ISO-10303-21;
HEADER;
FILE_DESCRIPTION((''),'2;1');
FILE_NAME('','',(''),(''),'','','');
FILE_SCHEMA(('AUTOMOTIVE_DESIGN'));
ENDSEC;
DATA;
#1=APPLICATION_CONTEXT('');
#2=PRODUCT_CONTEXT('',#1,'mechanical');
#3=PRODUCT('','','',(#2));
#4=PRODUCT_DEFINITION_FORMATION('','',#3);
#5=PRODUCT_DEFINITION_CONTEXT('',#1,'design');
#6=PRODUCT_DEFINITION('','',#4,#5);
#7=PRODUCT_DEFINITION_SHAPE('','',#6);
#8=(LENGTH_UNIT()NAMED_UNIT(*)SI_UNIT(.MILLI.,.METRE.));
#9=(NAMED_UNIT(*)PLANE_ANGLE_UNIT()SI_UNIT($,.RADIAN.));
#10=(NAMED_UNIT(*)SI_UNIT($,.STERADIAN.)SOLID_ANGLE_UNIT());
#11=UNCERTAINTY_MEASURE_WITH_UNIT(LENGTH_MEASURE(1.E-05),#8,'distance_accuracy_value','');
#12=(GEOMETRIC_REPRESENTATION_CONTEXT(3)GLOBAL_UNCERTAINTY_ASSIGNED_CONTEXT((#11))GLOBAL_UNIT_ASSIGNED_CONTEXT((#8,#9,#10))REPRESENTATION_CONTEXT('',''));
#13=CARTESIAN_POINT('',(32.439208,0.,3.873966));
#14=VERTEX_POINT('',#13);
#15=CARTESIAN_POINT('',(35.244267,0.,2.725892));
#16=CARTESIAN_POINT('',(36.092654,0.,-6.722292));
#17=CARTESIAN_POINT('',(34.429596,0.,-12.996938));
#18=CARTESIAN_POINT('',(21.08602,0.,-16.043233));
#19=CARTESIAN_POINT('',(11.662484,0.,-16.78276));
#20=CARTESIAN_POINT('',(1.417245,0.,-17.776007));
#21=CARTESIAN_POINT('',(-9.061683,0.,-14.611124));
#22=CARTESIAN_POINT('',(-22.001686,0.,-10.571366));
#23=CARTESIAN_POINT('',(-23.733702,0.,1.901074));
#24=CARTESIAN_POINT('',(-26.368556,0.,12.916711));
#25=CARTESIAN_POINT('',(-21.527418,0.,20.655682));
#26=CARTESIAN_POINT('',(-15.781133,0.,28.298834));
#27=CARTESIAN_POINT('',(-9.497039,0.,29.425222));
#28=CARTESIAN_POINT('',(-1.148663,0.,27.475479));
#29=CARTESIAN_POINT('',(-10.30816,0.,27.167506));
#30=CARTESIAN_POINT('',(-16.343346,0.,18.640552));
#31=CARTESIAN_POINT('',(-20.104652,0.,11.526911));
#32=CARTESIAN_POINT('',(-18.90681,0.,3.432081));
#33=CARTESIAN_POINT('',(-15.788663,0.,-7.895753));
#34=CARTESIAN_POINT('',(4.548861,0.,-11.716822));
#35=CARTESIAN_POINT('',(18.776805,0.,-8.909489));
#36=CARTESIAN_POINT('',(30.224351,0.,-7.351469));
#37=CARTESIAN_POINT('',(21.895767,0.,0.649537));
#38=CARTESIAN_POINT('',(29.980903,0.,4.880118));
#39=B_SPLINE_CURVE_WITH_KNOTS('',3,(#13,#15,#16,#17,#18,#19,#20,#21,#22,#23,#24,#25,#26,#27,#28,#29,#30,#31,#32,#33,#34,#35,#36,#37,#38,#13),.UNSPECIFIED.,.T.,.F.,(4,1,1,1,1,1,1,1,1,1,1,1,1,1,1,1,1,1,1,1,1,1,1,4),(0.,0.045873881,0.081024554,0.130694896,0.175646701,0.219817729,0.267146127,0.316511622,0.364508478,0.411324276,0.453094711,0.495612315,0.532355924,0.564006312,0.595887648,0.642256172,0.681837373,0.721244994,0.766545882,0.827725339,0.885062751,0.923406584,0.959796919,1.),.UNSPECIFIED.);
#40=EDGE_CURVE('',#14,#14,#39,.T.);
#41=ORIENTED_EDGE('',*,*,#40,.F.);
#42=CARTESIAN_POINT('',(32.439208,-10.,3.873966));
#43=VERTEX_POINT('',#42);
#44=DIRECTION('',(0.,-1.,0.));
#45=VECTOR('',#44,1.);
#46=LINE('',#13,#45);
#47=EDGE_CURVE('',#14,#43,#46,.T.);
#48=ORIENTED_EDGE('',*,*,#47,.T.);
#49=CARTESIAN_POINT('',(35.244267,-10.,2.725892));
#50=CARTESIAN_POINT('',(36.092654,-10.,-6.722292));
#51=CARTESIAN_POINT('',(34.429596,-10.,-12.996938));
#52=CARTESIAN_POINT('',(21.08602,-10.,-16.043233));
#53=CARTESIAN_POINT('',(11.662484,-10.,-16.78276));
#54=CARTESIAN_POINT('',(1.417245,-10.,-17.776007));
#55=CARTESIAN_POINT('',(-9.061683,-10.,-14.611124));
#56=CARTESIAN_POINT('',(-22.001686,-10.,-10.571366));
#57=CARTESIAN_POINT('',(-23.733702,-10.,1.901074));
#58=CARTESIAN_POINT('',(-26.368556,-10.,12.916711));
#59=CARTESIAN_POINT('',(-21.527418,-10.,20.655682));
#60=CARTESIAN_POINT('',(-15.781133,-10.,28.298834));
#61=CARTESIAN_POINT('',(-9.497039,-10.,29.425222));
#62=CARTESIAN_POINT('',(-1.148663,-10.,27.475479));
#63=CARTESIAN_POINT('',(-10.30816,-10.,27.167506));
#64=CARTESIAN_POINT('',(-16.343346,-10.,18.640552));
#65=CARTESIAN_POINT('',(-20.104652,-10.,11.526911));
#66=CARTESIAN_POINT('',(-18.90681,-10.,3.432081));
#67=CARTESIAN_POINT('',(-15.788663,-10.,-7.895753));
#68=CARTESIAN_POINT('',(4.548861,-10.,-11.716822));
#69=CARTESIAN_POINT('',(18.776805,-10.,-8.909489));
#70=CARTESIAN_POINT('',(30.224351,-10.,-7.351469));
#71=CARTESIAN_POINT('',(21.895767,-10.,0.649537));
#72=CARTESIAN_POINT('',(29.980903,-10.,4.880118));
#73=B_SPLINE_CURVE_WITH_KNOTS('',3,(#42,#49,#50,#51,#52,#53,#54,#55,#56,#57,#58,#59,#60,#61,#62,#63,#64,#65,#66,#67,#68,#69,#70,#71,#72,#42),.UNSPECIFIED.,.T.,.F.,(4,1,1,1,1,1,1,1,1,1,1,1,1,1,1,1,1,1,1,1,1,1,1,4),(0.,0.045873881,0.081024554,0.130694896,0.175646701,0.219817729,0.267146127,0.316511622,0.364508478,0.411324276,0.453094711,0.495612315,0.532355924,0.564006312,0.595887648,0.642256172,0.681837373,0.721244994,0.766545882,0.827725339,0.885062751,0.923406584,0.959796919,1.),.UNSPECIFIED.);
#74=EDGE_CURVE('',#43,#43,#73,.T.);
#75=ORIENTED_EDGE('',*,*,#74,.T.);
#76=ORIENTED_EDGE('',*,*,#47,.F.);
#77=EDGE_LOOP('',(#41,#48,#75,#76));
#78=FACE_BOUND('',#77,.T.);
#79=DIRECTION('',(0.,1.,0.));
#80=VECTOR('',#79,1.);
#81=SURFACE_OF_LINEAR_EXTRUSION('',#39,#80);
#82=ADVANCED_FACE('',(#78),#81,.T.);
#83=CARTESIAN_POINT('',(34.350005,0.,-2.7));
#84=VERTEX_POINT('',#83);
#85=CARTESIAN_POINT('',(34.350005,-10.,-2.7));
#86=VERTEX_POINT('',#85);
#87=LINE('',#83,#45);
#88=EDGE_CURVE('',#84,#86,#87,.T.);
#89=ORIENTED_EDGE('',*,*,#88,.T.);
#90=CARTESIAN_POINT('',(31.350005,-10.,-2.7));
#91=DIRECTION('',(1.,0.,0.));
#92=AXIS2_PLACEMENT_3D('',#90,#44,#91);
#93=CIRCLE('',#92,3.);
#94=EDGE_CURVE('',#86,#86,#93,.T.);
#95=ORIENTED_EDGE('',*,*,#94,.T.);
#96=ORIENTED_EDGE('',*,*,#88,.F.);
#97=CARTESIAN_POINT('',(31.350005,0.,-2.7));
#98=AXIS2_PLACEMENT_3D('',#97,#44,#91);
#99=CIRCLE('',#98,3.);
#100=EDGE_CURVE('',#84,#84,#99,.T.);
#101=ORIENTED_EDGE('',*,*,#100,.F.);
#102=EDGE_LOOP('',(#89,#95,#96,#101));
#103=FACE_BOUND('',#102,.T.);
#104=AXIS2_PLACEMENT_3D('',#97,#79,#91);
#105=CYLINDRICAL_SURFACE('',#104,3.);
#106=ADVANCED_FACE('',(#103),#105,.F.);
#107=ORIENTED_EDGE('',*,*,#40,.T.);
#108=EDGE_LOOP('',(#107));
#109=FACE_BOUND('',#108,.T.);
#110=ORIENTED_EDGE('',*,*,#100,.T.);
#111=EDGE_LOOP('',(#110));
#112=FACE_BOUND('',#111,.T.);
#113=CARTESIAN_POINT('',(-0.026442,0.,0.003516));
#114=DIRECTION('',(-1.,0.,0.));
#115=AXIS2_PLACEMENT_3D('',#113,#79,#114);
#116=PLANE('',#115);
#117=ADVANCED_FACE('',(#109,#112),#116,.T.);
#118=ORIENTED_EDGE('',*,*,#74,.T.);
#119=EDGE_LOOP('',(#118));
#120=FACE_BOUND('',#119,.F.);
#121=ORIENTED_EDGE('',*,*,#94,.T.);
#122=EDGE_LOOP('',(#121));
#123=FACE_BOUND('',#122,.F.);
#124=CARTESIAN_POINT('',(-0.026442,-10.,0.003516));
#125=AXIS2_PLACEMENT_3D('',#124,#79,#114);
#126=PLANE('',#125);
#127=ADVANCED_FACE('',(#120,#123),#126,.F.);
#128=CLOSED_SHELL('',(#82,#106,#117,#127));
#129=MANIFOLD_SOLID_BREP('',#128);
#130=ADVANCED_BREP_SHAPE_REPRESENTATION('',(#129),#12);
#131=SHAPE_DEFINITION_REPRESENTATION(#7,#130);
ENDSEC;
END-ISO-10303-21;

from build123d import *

# Parameters (mm, degrees)
F0_R     = 3.0000000261
F1_DEPTH = 10


with BuildPart() as f1:
    # F0 (on Front) → F1 (new body)
    with BuildSketch(Plane.XZ):
        with BuildLine():
            add(Edge.make_bspline(
                [(32.4392083615, 3.8739659384), (35.2442670849, 2.7258917013), (36.0926540647, -6.7222919848), (34.4295955342, -12.9969382642), (21.0860198106, -16.0432326674), (11.6624840958, -16.7827600213), (1.4172445919, -17.7760066432), (-9.0616829438, -14.6111244296), (-22.0016855268, -10.5713662248), (-23.7337018158, 1.9010739471), (-26.3685563312, 12.9167105277), (-21.5274180561, 20.6556819929), (-15.7811333338, 28.2988342977), (-9.4970385455, 29.425221644), (-1.1486626552, 27.4754786417), (-10.3081598724, 27.167505827), (-16.3433463679, 18.6405524744), (-20.1046521108, 11.5269109576), (-18.9068101916, 3.4320809006), (-15.7886631562, -7.8957534167), (4.5488605607, -11.7168223686), (18.7768050819, -8.9094888745), (30.2243511455, -7.3514694371), (21.8957670353, 0.6495374985), (29.9809031097, 4.8801184667), (32.4392083615, 3.8739659384)],
                knots=[0, 0, 0, 0, 0.045873881, 0.0810245539, 0.1306948964, 0.1756467012, 0.2198177289, 0.2671461266, 0.3165116223, 0.3645084781, 0.4113242758, 0.4530947107, 0.4956123147, 0.5323559236, 0.5640063123, 0.5958876481, 0.6422561724, 0.681837373, 0.7212449941, 0.7665458815, 0.8277253389, 0.8850627513, 0.923406584, 0.9597969192, 1, 1, 1, 1], degree=3))
        make_face()
        with Locations((31.3500054181, -2.70000007)):
            Circle(F0_R, mode=Mode.SUBTRACT)
    extrude(amount=F1_DEPTH)


solid = f1.part
